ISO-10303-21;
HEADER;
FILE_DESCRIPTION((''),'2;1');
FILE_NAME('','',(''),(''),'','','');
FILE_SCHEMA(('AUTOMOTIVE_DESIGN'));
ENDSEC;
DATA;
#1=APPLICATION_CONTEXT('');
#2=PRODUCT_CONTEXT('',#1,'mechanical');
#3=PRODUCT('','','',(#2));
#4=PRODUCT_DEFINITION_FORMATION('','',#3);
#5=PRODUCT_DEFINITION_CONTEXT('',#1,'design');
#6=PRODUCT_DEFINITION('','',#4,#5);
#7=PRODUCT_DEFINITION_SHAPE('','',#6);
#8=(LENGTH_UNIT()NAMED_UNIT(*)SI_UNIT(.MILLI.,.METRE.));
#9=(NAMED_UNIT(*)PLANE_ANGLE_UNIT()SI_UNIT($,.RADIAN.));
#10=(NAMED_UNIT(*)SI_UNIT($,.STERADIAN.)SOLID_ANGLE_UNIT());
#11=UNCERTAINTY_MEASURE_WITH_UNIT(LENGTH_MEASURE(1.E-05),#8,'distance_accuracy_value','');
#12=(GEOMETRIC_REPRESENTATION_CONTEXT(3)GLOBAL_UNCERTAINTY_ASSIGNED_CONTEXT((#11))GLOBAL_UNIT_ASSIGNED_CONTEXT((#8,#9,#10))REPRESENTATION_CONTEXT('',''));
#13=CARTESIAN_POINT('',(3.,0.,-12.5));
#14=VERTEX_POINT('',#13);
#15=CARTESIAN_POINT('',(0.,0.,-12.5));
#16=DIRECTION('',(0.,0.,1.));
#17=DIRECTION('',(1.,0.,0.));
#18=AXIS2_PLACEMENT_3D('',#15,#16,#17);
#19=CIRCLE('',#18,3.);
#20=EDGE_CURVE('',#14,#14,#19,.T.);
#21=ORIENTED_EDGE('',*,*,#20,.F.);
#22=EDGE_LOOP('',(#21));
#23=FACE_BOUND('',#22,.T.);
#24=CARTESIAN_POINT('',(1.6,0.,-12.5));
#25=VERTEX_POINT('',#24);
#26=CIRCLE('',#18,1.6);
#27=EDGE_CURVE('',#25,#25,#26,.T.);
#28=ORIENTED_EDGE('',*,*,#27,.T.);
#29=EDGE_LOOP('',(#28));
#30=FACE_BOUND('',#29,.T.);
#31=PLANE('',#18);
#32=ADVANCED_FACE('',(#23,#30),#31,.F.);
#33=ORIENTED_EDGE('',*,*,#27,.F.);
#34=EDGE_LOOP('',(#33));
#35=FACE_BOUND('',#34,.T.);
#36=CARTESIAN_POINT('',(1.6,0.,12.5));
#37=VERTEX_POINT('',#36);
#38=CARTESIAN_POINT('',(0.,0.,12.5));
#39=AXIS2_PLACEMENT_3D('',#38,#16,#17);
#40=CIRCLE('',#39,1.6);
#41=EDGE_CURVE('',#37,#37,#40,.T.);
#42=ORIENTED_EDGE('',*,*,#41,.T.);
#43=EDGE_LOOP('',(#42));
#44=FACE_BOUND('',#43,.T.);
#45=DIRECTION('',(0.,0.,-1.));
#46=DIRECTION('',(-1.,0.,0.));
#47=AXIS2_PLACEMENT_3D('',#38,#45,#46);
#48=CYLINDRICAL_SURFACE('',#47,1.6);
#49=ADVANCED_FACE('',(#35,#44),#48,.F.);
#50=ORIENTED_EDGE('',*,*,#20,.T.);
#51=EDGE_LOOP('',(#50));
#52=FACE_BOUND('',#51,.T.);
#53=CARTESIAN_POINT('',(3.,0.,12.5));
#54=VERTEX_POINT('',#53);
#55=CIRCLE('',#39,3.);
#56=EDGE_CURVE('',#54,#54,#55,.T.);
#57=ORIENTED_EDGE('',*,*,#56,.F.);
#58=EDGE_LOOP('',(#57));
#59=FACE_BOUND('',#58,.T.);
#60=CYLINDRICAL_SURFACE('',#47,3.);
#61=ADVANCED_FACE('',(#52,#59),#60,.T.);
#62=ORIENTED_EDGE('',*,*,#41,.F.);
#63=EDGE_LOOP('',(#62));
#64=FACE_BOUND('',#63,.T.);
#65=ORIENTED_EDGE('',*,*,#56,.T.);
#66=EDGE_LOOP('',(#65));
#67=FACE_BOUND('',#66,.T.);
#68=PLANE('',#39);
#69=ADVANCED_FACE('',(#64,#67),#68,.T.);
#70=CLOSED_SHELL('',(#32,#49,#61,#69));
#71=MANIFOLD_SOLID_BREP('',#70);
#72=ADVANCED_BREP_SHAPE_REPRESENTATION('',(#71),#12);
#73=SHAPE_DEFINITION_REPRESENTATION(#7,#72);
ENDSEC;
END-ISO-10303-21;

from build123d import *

# Parameters (mm, degrees)
SKETCH1_R           = 3
SKETCH1_R_2         = 1.6
EXTRUDE1_DEPTH      = 12.5
EXTRUDE1_DEPTH_BACK = 12.5


with BuildPart() as part:
    # Sketch1 → Extrude1 (new body, two sides)
    with BuildSketch(Plane.XY) as extrude1_sk:
        Circle(SKETCH1_R)
        Circle(SKETCH1_R_2, mode=Mode.SUBTRACT)
    extrude(amount=EXTRUDE1_DEPTH)
    extrude(extrude1_sk.sketch, amount=-EXTRUDE1_DEPTH_BACK)


solid = part.part
